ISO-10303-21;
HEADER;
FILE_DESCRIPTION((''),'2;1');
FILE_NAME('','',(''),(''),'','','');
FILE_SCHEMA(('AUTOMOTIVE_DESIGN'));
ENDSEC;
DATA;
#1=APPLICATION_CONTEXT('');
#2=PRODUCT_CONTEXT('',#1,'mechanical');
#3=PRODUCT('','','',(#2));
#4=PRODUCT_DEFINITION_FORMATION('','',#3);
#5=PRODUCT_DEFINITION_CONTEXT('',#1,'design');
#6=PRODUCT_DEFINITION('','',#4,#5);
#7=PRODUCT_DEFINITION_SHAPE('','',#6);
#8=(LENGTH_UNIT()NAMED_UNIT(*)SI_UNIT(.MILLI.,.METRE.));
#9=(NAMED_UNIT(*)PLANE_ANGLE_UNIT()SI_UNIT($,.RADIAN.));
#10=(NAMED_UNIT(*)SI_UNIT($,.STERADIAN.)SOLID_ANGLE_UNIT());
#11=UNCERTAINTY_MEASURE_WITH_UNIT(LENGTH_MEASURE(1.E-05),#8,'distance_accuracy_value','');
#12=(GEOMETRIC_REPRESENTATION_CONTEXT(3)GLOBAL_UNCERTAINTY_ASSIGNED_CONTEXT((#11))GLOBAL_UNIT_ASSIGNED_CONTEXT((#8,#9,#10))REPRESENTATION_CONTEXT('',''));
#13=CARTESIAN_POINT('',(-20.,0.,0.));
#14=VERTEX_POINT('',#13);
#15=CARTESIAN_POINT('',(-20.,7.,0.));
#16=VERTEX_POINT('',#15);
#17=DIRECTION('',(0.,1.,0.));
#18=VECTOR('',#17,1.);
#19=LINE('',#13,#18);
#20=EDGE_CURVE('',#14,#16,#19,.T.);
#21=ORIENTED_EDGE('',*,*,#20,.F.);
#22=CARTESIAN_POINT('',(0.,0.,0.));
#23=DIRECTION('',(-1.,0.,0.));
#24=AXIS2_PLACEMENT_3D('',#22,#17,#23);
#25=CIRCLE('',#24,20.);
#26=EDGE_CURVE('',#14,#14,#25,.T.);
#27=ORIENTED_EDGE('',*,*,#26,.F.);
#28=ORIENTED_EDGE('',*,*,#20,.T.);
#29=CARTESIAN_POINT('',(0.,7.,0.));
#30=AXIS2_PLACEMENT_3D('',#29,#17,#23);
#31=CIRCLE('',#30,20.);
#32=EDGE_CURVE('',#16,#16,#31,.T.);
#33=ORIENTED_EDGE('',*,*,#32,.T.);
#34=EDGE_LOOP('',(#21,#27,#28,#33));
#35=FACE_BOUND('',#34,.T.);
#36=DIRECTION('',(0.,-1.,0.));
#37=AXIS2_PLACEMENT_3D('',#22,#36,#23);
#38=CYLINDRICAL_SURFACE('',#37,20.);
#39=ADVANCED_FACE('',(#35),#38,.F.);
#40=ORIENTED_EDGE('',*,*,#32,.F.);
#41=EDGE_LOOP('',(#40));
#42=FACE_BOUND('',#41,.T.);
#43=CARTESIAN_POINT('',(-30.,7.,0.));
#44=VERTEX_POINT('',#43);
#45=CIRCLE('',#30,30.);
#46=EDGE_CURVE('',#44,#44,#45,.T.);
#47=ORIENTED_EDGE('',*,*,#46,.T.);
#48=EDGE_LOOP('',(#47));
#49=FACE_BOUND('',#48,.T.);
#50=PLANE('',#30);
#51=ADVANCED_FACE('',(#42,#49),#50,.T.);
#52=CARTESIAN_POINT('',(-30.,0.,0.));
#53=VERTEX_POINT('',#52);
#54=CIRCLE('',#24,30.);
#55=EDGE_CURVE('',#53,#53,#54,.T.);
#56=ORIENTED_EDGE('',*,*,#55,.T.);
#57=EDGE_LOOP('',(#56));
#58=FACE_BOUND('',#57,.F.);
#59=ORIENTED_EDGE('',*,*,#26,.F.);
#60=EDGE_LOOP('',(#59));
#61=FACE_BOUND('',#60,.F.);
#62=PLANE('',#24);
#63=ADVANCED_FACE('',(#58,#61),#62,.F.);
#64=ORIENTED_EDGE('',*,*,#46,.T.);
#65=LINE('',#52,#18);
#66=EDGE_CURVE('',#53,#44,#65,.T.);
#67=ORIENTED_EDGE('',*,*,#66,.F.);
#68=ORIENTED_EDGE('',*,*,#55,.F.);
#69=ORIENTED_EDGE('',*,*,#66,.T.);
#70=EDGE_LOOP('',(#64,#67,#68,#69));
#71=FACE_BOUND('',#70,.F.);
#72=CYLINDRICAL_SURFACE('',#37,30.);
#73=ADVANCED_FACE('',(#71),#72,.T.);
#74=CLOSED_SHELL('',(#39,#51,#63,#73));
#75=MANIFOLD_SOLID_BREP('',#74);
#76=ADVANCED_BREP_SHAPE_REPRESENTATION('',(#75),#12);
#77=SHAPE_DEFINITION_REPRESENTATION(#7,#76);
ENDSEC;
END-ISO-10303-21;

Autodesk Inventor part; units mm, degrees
ref_plane "YZ Plane" through (0, 0, 0) normal (1, 0, 0) x (0, 1, 0)
ref_plane "XZ Plane" through (0, 0, 0) normal (0, 1, 0) x (-1, 0, 0)
ref_plane "XY Plane" through (0, 0, 0) normal (0, 0, 1) x (1, 0, 0)
sketch "Sketch1" plane through (0, 0, 0) normal (0, 1, 0) x (-1, 0, 0)
  circle A0 centre (0, 0) radius 20
  circle A1 centre (0, 0) radius 30
  dimension "d0" = 40
  dimension "d1" = 60
extrude "Extrusion1" add sketch "Sketch1" along normal blind 7
properties part number "thrust bearing balls"
